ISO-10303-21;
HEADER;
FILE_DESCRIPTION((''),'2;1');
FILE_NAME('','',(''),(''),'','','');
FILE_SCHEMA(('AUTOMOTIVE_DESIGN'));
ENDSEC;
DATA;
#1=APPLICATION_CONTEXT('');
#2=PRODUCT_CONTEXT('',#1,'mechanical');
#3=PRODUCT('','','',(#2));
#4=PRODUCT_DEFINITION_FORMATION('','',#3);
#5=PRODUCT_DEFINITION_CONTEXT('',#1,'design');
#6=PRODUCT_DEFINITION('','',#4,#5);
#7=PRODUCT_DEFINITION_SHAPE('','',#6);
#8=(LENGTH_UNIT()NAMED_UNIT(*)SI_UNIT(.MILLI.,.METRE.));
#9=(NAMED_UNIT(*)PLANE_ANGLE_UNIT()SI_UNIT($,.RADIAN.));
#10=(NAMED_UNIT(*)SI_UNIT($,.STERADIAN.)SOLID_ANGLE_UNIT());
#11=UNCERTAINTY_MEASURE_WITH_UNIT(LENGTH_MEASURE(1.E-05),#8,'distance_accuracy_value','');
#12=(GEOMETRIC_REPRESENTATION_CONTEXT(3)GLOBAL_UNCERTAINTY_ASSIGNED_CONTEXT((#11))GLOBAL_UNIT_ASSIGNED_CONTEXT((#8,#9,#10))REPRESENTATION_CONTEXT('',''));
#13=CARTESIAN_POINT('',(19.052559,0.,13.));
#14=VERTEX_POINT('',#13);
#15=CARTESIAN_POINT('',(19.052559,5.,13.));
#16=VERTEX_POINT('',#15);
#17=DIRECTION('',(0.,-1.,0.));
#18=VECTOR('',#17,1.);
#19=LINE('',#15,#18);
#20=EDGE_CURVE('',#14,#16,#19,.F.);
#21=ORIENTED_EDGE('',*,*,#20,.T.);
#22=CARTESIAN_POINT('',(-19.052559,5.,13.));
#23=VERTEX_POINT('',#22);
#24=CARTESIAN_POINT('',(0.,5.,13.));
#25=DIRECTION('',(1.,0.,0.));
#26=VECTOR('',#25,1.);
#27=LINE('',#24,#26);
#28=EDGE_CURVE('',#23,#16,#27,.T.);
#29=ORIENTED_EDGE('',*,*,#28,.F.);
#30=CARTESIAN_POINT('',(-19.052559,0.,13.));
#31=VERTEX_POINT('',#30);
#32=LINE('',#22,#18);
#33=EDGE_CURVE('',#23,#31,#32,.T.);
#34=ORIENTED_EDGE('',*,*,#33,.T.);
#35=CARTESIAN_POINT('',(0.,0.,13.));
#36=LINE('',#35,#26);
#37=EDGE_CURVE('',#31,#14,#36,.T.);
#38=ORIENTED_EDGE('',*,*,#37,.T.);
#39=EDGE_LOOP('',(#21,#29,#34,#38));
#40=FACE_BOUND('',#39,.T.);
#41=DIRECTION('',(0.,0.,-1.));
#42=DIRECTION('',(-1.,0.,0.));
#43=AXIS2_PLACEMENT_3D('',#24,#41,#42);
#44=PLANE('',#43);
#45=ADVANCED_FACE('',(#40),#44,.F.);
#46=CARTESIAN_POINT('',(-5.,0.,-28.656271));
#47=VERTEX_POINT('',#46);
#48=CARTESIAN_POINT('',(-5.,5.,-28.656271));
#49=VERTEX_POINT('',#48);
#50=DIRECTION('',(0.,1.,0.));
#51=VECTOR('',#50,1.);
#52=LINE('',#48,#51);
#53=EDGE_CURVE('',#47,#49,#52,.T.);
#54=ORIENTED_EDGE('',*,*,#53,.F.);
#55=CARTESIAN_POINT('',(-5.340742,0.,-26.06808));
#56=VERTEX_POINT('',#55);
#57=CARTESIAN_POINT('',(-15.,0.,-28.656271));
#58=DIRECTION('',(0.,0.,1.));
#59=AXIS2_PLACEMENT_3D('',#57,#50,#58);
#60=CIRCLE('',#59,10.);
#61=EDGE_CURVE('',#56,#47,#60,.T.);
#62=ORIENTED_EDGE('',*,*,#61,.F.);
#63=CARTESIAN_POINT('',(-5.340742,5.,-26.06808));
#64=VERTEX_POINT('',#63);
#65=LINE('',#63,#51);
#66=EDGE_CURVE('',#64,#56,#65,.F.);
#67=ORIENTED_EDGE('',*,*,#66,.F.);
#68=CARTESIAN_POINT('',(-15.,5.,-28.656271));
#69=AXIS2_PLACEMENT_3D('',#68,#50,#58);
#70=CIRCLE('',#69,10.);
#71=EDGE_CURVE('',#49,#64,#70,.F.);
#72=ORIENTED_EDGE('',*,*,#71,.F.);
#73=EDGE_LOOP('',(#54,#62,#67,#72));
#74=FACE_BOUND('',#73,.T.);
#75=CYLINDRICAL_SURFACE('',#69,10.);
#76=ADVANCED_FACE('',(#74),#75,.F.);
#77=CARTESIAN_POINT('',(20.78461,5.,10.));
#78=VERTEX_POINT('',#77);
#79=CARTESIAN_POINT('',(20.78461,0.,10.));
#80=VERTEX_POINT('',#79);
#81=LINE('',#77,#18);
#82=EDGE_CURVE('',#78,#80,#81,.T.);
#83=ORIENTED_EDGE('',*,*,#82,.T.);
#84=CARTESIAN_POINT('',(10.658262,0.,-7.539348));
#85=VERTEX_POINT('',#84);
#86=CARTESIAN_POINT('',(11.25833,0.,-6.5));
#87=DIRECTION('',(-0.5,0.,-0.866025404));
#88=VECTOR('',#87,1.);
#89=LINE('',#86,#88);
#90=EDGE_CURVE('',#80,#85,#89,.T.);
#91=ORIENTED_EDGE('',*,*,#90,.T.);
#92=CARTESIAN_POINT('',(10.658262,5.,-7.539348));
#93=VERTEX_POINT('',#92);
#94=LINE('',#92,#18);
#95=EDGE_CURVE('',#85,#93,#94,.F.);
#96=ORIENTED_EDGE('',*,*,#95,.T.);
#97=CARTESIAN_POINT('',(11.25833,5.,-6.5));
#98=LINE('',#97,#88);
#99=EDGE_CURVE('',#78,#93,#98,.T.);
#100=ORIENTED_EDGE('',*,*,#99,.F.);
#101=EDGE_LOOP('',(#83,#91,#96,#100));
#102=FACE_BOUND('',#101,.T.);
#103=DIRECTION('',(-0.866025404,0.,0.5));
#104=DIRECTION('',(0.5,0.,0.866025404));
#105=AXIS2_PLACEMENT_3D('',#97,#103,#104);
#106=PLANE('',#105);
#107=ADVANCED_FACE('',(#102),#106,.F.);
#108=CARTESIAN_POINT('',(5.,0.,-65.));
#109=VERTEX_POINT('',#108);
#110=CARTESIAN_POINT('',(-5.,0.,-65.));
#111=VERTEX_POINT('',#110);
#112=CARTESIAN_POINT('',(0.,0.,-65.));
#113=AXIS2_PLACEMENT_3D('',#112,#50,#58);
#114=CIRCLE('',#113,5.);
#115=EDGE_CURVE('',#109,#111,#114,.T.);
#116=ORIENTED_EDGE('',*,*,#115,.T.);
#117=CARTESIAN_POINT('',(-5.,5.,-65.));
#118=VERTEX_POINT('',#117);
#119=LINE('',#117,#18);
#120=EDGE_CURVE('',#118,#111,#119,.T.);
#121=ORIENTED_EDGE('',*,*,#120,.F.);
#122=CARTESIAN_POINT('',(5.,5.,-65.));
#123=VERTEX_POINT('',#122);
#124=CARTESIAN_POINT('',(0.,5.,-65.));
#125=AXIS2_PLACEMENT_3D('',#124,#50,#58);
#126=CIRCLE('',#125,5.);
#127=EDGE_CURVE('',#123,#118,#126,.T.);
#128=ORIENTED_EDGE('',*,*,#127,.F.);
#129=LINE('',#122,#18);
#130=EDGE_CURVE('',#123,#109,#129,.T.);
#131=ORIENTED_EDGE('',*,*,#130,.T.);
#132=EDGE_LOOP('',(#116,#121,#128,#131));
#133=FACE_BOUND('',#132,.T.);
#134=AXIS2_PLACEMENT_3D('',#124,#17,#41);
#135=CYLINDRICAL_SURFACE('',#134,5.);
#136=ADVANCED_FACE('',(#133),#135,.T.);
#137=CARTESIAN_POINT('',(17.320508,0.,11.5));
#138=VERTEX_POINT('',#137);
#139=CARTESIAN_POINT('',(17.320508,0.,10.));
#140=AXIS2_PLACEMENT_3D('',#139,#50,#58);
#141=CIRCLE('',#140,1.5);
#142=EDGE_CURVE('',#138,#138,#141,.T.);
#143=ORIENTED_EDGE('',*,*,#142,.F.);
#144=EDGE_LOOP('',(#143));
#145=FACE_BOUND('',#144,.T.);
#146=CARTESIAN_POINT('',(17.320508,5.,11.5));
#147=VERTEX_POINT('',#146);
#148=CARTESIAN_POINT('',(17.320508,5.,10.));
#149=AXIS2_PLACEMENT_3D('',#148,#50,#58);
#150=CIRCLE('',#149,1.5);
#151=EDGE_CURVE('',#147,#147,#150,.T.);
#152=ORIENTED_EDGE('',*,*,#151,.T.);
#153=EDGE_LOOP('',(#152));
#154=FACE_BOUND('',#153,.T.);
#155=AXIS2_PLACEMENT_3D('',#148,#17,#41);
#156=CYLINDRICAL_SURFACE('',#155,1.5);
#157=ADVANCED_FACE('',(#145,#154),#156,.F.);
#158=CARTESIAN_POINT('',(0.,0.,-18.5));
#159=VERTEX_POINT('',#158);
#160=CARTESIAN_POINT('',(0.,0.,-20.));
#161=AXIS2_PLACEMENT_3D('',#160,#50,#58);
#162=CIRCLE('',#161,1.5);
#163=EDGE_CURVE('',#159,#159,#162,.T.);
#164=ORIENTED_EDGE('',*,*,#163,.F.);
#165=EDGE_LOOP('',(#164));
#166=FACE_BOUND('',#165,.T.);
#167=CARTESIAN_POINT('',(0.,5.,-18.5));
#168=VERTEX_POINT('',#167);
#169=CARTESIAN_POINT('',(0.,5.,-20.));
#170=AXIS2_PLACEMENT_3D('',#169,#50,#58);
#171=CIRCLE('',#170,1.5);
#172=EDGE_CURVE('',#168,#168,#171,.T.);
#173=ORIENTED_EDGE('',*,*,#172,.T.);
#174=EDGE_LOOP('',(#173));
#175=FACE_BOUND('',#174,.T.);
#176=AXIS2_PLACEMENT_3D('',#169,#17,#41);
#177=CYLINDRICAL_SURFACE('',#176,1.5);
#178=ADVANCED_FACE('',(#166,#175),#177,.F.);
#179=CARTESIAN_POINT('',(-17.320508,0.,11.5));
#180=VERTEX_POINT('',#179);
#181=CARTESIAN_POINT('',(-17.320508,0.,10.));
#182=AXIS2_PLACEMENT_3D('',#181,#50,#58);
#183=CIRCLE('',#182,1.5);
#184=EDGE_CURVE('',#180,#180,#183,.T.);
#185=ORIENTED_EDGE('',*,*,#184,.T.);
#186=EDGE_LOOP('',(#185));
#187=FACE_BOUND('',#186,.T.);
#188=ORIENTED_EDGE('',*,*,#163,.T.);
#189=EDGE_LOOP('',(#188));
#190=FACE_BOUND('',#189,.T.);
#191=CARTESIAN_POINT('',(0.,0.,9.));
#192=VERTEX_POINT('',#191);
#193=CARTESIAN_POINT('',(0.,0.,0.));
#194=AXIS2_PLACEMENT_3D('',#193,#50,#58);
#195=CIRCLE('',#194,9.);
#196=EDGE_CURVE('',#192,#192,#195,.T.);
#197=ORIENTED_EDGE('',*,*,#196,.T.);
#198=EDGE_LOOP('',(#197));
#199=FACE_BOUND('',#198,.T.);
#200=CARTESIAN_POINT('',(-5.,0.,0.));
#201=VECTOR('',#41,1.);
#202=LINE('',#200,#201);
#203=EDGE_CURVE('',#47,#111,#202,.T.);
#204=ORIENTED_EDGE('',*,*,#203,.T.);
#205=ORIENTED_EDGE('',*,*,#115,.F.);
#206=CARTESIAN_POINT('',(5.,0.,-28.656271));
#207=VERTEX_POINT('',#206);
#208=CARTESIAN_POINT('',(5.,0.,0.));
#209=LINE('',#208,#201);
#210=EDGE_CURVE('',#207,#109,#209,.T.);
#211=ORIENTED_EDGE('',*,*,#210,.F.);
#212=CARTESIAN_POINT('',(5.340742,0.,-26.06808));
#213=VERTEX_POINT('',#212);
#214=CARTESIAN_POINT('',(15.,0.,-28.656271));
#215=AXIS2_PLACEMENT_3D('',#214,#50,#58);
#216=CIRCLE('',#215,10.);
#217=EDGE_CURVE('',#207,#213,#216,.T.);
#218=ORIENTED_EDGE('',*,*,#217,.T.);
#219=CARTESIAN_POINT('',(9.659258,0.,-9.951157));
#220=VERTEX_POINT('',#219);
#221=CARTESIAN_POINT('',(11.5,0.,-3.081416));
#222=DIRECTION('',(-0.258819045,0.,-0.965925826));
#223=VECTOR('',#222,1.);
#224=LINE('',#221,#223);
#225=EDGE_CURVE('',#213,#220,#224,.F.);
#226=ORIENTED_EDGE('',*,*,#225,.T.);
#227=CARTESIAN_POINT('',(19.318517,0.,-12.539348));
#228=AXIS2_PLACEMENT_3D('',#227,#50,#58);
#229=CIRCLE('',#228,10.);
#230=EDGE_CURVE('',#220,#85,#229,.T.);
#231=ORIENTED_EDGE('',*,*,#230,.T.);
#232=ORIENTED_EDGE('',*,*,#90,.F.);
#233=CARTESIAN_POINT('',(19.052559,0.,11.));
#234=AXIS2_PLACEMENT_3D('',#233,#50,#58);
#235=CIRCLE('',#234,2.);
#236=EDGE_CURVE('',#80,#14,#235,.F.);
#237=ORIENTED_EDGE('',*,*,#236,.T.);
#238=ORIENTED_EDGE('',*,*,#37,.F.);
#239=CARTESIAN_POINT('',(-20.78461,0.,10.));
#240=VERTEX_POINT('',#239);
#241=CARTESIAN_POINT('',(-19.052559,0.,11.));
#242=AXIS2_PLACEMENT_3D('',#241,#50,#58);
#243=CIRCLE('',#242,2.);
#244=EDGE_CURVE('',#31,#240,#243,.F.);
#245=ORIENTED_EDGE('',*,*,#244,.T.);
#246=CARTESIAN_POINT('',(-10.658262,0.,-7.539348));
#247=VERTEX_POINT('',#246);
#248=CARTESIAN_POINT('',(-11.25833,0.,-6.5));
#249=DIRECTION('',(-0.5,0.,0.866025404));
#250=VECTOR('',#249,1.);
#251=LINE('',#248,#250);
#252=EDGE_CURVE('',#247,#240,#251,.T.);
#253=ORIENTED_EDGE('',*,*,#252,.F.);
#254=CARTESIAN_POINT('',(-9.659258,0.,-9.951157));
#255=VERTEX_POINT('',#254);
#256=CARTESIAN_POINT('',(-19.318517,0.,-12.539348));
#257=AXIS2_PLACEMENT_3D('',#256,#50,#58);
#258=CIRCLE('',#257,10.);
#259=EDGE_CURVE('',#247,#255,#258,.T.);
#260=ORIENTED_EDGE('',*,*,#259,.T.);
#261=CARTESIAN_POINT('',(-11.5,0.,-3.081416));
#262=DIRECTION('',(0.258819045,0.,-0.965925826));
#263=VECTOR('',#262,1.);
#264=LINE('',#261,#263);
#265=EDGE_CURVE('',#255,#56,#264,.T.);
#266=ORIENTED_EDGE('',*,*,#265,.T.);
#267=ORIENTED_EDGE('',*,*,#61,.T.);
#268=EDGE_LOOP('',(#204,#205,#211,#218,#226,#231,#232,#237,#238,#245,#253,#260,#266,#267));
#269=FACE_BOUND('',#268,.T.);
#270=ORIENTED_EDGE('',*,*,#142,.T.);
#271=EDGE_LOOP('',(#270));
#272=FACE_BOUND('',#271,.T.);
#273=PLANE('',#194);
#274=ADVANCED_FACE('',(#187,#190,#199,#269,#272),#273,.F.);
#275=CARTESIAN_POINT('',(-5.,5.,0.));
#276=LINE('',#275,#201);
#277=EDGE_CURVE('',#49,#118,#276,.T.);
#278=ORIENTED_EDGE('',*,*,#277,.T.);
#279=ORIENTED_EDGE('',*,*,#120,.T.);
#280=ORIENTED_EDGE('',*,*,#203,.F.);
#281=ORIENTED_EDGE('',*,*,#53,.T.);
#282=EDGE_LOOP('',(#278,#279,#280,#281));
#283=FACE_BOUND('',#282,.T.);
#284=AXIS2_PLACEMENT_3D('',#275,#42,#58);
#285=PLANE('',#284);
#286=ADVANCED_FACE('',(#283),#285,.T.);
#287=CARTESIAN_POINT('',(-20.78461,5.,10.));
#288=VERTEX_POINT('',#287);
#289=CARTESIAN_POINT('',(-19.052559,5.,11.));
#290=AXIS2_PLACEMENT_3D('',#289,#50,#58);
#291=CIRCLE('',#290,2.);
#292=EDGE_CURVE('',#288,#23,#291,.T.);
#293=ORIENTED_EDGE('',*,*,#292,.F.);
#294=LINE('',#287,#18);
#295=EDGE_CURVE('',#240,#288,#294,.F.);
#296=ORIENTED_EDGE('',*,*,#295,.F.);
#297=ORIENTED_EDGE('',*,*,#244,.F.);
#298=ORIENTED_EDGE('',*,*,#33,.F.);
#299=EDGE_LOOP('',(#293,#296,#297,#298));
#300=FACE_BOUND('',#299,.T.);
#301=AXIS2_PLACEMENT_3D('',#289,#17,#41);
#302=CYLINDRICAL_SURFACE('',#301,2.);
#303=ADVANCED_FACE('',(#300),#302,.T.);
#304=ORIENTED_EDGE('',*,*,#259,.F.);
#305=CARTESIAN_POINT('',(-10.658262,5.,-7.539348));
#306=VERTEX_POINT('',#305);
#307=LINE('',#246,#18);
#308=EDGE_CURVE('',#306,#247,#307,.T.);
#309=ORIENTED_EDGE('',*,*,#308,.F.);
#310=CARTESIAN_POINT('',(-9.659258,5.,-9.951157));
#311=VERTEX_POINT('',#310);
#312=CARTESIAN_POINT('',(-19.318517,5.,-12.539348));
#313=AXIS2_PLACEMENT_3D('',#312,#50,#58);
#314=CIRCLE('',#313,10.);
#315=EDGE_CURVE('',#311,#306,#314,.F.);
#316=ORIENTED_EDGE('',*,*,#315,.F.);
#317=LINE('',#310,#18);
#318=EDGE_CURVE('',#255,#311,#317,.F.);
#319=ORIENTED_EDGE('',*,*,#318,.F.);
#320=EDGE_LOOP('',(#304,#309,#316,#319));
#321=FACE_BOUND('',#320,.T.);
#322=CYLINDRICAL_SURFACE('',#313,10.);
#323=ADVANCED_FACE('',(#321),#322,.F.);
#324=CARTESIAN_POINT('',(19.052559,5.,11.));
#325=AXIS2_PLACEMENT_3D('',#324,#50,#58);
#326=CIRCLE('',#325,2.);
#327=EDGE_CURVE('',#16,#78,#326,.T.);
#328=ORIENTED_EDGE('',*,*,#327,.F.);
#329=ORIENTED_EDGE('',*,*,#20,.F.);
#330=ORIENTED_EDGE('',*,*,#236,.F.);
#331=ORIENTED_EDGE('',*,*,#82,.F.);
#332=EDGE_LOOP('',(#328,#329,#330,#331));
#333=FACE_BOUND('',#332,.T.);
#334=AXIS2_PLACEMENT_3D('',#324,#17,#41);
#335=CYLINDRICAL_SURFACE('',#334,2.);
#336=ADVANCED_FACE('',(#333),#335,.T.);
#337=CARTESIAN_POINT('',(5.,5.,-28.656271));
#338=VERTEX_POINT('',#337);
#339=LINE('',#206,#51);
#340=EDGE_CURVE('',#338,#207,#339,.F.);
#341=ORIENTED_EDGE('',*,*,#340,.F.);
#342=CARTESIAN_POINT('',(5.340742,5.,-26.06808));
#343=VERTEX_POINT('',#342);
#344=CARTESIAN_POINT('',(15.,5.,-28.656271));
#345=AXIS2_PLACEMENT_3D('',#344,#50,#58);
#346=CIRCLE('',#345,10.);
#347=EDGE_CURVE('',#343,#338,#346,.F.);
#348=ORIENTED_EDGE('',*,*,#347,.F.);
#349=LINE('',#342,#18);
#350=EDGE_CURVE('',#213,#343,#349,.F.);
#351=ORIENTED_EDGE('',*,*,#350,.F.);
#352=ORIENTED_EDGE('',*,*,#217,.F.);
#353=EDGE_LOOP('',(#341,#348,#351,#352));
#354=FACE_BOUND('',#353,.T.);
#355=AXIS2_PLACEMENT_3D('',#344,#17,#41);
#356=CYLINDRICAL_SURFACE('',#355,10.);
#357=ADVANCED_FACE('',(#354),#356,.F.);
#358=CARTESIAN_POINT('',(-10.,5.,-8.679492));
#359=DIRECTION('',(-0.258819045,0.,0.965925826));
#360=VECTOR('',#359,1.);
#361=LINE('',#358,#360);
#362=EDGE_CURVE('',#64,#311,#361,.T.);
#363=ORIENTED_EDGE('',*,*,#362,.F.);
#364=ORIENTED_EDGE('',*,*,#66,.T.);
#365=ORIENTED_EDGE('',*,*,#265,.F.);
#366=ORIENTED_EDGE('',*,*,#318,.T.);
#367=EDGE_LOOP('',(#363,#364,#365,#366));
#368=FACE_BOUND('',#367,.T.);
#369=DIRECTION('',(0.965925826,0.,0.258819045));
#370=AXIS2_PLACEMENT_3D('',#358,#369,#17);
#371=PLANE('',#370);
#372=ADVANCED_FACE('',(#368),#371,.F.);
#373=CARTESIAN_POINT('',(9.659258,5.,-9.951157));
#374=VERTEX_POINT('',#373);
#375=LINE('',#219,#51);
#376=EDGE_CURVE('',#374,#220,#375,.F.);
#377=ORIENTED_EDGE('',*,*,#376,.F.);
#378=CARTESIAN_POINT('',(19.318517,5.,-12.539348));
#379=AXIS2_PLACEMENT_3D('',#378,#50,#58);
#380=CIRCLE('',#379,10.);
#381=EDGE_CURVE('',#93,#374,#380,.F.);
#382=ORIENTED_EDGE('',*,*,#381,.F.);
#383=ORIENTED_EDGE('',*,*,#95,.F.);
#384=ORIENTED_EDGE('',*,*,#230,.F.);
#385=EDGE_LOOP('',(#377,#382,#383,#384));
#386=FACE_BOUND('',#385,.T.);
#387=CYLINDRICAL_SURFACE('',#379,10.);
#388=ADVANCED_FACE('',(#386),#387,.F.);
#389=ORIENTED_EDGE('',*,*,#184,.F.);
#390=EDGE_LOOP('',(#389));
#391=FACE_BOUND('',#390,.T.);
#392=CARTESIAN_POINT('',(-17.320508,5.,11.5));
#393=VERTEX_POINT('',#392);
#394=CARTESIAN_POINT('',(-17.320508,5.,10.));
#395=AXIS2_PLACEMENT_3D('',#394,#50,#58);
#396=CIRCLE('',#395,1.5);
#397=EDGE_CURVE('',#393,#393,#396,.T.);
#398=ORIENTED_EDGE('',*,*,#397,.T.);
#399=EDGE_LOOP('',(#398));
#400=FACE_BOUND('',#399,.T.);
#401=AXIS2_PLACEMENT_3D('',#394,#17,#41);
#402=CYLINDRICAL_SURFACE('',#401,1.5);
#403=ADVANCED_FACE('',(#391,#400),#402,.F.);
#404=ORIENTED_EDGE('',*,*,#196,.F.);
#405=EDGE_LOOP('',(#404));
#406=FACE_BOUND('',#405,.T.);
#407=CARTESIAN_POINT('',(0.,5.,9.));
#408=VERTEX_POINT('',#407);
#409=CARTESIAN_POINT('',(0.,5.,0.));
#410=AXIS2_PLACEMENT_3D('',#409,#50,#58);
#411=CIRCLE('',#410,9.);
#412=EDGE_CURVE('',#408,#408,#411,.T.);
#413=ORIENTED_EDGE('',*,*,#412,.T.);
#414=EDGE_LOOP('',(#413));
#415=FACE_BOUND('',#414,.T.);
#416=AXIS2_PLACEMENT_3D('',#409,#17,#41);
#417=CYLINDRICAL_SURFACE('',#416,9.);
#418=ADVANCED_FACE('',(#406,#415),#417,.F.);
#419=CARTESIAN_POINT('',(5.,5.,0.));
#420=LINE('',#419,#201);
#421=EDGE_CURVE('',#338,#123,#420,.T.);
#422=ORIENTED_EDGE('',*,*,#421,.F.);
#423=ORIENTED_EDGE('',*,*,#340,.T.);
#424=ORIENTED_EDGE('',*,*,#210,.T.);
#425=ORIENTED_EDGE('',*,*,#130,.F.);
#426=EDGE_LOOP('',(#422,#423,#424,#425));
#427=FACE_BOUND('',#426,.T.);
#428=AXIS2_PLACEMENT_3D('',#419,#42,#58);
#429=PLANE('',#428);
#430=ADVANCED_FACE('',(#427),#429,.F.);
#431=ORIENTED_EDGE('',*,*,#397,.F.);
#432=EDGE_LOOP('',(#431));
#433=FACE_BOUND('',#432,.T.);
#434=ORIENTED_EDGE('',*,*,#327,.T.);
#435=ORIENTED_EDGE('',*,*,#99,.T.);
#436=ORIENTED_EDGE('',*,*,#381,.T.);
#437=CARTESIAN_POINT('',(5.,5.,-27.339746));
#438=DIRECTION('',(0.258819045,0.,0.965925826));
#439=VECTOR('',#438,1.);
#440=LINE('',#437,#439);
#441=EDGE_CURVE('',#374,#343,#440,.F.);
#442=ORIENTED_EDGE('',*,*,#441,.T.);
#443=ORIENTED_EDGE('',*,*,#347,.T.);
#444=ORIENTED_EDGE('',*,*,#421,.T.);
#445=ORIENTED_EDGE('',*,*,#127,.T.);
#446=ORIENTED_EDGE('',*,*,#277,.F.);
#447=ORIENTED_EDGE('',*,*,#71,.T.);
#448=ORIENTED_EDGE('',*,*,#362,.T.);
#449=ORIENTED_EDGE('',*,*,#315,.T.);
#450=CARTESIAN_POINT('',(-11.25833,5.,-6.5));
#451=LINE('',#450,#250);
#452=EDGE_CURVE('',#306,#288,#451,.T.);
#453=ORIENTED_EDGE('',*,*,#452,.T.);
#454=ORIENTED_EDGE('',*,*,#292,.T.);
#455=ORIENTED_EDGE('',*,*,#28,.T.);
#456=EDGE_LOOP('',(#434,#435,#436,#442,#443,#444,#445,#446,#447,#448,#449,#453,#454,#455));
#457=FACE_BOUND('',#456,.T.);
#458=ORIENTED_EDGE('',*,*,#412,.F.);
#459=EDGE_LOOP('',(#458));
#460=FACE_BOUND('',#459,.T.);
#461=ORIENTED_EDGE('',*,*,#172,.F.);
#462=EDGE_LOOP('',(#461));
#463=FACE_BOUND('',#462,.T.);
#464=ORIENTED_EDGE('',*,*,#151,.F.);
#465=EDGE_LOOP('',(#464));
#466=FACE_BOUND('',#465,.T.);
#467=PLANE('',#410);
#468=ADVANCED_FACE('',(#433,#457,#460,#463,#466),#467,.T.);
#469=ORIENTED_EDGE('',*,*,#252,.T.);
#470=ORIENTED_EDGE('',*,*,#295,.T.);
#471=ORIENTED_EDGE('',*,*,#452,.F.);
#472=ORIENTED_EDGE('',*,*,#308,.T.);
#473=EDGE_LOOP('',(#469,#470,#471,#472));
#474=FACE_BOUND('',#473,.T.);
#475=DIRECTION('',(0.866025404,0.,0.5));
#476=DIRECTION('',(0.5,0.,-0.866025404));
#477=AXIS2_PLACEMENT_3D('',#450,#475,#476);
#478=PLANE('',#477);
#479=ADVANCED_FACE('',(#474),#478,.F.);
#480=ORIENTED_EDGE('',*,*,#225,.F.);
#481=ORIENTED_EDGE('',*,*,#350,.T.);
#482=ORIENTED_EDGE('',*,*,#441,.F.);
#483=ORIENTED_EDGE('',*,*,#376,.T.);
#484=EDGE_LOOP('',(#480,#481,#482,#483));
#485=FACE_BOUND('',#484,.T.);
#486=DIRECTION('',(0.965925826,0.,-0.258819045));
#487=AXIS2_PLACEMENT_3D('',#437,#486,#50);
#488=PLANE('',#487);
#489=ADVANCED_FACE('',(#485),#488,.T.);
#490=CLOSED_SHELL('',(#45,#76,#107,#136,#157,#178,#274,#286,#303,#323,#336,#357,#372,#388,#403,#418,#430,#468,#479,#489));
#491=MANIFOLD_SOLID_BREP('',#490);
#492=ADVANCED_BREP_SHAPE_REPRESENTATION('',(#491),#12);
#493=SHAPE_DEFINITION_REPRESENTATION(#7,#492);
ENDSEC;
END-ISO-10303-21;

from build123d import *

# Parameters (mm, degrees)
SKETCH_1_R      = 9
SKETCH_1_R_2    = 1.5
EXTRUDE_1_DEPTH = 5
FILLET_1_R      = 2
CHAMFER_1_SIZE  = 10
FILLET_3_R      = 10


with BuildPart() as part:
    # 草图1 → 凸台-拉伸1 (new body)
    with BuildSketch(Plane(origin=(0, 0, 0), x_dir=(1, 0, 0), z_dir=(0, 1, 0))):
        with BuildLine():
            Line((5, 17.339745962), (5, 65))
            ThreePointArc((5, 65), (0, 70), (-5, 65))
            Line((-5, 65), (-5, 17.339745962))
            Line((-5, 17.339745962), (-22.516660498, -13))
            Line((-22.516660498, -13), (22.516660498, -13))
            Line((22.516660498, -13), (5, 17.339745962))
        make_face()
        with Locations(Location((0, 0, 0), (0, 0, 270))):
            Circle(SKETCH_1_R, mode=Mode.SUBTRACT)
        with Locations(Location((0, 20, 0), (0, 0, 270))):
            Circle(SKETCH_1_R_2, mode=Mode.SUBTRACT)
        with Locations(Location((-17.320508076, -10, 0), (0, 0, 270))):
            Circle(SKETCH_1_R_2, mode=Mode.SUBTRACT)
        with Locations(Location((17.320508076, -10, 0), (0, 0, 270))):
            Circle(SKETCH_1_R_2, mode=Mode.SUBTRACT)
    extrude(amount=EXTRUDE_1_DEPTH)

    # 圆角1
    fillet_1_edges = [part.edges().sort_by_distance(p)[0] for p in [
        (22.516660498, 2.5, 13),
        (-22.516660498, 2.5, 13),
    ]]
    fillet(fillet_1_edges, radius=FILLET_1_R)

    # 倒角1
    chamfer_1_edges = [part.edges().sort_by_distance(p)[0] for p in [
        (-5, 2.5, -17.339745962),
        (5, 2.5, -17.339745962),
    ]]
    chamfer(chamfer_1_edges, length=CHAMFER_1_SIZE)

    # 圆角3
    fillet_3_edges = [part.edges().sort_by_distance(p)[0] for p in [
        (5, 2.5, -27.339745962),
        (10, 2.5, -8.679491924),
        (-10, 2.5, -8.679491924),
        (-5, 2.5, -27.339745962),
    ]]
    fillet(fillet_3_edges, radius=FILLET_3_R)


solid = part.part
